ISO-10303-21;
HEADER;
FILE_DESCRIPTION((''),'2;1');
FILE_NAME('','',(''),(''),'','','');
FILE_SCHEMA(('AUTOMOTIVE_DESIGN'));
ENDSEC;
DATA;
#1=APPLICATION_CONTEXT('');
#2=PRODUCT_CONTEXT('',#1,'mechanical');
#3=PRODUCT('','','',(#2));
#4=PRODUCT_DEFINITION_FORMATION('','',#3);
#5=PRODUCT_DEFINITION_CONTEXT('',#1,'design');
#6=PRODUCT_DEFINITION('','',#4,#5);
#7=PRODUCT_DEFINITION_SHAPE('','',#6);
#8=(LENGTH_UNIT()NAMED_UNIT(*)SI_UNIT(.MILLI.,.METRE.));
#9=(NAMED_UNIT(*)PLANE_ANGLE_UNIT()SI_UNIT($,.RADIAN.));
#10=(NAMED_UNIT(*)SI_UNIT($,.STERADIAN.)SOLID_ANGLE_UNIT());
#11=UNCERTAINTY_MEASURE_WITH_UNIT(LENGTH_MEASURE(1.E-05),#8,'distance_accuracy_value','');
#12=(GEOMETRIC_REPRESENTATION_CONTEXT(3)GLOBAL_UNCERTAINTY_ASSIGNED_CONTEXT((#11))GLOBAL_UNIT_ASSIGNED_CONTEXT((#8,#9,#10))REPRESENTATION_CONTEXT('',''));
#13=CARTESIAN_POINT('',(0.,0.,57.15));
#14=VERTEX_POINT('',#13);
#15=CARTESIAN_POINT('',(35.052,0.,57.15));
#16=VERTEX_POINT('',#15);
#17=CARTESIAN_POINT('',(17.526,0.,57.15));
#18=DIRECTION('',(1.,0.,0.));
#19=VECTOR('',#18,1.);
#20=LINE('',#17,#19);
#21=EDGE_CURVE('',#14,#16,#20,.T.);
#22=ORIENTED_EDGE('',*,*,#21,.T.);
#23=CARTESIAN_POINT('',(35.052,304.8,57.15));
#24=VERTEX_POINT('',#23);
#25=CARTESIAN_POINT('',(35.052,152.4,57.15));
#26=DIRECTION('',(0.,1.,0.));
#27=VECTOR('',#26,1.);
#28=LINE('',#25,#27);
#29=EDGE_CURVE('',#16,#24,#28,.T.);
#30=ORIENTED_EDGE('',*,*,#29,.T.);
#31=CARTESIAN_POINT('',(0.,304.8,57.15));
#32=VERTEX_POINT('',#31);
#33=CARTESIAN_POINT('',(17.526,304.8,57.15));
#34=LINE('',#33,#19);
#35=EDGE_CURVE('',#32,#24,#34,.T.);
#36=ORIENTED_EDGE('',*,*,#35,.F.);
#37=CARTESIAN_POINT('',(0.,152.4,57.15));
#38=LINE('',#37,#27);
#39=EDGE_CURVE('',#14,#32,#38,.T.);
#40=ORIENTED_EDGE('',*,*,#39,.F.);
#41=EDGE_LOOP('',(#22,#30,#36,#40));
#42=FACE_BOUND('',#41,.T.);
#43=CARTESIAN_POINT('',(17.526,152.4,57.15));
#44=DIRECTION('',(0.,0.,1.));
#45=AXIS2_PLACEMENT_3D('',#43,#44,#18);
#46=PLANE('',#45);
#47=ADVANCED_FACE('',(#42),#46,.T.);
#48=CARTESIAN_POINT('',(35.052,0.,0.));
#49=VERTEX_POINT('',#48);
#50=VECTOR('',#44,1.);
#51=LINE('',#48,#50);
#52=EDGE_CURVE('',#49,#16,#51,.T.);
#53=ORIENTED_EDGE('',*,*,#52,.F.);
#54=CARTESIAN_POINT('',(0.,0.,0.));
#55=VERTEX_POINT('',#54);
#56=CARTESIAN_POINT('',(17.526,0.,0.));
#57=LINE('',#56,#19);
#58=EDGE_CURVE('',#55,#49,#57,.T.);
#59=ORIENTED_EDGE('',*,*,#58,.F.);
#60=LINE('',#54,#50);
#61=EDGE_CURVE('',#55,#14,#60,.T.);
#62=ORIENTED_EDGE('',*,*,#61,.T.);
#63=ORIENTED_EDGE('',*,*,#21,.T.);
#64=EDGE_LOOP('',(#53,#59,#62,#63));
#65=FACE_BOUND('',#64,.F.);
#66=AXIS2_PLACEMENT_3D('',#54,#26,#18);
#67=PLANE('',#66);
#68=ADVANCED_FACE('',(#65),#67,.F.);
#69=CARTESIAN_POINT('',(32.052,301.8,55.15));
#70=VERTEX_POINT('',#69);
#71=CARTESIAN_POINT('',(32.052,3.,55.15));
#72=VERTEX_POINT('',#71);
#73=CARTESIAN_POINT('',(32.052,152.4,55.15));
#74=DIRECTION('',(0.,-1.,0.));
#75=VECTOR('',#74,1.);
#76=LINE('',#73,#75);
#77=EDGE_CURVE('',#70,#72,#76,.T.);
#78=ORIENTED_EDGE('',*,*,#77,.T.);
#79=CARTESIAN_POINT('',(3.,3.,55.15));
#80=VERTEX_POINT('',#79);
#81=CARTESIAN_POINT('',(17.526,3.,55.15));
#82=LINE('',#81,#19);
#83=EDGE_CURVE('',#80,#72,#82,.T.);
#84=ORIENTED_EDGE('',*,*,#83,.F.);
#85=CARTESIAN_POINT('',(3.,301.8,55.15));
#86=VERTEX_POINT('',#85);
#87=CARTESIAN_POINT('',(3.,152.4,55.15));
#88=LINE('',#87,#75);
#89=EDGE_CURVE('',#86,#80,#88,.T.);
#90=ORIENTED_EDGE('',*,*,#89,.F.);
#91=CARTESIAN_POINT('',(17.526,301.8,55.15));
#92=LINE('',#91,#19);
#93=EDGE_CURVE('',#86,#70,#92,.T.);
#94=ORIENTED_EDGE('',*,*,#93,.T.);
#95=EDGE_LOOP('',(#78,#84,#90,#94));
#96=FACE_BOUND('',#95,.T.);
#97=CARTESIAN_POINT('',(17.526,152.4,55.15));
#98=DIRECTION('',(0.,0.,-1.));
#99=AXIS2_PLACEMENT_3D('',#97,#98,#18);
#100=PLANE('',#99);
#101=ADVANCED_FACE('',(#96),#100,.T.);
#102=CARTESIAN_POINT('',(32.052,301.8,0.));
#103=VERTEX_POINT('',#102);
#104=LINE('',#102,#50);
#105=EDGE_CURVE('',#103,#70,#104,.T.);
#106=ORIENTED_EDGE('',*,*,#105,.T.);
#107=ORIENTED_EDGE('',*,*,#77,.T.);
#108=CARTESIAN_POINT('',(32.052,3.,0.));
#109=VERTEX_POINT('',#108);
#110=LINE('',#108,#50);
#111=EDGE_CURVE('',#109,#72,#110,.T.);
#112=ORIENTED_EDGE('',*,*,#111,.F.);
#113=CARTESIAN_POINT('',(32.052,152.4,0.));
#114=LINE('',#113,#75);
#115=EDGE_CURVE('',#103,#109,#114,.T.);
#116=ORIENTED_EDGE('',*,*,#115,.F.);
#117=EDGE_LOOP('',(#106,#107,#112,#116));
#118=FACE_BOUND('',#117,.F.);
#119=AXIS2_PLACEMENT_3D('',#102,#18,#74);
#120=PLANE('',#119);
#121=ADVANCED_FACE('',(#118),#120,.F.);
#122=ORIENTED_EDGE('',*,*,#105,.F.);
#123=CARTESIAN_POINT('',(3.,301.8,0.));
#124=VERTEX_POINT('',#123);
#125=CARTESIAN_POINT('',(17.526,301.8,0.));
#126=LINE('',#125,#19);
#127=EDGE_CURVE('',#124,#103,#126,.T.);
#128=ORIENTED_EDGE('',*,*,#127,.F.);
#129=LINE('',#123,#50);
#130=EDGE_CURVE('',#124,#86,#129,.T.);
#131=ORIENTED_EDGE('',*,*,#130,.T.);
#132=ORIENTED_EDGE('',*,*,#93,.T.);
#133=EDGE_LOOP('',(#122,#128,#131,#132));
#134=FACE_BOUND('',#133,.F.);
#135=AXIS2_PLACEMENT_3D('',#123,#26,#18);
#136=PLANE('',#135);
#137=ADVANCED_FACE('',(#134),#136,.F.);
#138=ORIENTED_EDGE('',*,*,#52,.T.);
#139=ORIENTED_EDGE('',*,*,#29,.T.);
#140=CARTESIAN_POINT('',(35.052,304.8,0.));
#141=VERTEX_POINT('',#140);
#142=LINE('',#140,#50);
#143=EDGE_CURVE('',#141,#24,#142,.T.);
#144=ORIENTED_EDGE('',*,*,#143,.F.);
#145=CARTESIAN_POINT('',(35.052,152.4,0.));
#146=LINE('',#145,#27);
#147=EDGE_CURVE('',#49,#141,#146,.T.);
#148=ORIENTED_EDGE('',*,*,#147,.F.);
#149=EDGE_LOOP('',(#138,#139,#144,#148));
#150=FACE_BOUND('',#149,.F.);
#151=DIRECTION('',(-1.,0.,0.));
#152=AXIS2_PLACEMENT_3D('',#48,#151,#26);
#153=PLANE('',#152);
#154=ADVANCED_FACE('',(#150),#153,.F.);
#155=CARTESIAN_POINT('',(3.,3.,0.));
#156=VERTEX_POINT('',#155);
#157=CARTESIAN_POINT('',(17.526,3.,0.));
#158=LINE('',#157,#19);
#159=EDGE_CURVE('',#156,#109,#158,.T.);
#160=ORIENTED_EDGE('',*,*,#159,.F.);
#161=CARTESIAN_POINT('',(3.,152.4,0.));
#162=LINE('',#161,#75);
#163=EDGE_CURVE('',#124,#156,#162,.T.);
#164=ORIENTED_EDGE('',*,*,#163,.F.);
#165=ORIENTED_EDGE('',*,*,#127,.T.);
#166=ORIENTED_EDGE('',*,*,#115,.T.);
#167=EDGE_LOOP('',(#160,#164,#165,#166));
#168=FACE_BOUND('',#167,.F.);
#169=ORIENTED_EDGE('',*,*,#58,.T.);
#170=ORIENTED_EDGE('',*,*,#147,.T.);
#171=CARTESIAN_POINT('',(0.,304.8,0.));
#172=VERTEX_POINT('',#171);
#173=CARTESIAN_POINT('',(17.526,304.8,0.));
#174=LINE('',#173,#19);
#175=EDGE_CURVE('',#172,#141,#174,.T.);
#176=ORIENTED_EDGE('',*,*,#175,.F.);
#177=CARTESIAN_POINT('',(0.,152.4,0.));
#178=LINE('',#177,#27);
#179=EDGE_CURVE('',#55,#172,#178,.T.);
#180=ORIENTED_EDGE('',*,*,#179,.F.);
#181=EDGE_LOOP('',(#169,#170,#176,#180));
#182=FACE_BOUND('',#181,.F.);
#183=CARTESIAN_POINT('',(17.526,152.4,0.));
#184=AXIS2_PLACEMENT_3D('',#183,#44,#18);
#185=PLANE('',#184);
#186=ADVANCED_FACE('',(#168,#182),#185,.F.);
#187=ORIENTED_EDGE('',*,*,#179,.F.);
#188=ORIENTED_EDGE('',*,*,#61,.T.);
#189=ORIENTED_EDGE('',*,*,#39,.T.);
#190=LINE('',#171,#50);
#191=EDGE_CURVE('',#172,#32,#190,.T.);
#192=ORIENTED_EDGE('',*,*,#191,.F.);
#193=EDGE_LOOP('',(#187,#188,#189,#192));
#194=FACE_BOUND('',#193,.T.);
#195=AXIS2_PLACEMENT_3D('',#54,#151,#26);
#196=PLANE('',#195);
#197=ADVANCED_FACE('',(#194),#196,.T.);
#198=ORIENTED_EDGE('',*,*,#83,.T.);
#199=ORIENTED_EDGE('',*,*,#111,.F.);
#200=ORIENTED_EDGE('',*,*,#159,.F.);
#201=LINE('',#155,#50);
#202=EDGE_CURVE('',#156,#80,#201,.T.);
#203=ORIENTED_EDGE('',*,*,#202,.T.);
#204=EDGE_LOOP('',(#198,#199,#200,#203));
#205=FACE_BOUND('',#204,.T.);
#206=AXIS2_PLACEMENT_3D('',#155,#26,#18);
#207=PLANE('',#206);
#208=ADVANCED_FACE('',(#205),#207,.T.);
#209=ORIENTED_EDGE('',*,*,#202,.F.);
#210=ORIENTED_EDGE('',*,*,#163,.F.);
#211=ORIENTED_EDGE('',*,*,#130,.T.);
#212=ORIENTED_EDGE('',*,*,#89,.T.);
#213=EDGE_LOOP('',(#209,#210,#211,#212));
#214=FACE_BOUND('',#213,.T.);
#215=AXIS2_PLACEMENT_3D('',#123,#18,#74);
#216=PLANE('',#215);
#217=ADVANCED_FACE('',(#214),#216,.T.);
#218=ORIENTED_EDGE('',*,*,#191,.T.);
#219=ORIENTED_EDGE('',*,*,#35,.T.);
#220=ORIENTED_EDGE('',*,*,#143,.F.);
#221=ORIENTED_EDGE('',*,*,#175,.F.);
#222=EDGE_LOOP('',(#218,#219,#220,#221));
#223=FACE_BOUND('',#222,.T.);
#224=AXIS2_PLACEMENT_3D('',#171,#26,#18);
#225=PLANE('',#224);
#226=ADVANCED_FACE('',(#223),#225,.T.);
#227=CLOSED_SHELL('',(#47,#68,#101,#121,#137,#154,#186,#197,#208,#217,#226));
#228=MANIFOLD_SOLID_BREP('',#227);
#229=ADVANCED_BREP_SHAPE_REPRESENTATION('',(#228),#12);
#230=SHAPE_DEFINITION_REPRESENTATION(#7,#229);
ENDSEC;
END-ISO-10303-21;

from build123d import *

# Parameters (mm, degrees)
SKETCH_W      = 29.052
SKETCH_H      = 298.8
EXTRUDE_DEPTH = 55.15
BOX_W         = 35.052
BOX_H         = 304.8
BOX_DEPTH     = 57.15


with BuildPart() as extrude_body:
    # Sketch → Extrude (new body)
    with BuildSketch(Plane(origin=(0, 0, 0), x_dir=(1, 0, 0), z_dir=(0, 0, -1))):
        with Locations((17.526, -152.4)):
            Rectangle(SKETCH_W, SKETCH_H)
    extrude(amount=-EXTRUDE_DEPTH)


with BuildPart() as cut:
    # Box → Box (new body)
    with BuildSketch(Plane.XY):
        with Locations((17.526, 152.4)):
            Rectangle(BOX_W, BOX_H)
    extrude(amount=BOX_DEPTH)

    # Cut: cut Extrude body
    add(extrude_body.part, mode=Mode.SUBTRACT)


solid = cut.part
